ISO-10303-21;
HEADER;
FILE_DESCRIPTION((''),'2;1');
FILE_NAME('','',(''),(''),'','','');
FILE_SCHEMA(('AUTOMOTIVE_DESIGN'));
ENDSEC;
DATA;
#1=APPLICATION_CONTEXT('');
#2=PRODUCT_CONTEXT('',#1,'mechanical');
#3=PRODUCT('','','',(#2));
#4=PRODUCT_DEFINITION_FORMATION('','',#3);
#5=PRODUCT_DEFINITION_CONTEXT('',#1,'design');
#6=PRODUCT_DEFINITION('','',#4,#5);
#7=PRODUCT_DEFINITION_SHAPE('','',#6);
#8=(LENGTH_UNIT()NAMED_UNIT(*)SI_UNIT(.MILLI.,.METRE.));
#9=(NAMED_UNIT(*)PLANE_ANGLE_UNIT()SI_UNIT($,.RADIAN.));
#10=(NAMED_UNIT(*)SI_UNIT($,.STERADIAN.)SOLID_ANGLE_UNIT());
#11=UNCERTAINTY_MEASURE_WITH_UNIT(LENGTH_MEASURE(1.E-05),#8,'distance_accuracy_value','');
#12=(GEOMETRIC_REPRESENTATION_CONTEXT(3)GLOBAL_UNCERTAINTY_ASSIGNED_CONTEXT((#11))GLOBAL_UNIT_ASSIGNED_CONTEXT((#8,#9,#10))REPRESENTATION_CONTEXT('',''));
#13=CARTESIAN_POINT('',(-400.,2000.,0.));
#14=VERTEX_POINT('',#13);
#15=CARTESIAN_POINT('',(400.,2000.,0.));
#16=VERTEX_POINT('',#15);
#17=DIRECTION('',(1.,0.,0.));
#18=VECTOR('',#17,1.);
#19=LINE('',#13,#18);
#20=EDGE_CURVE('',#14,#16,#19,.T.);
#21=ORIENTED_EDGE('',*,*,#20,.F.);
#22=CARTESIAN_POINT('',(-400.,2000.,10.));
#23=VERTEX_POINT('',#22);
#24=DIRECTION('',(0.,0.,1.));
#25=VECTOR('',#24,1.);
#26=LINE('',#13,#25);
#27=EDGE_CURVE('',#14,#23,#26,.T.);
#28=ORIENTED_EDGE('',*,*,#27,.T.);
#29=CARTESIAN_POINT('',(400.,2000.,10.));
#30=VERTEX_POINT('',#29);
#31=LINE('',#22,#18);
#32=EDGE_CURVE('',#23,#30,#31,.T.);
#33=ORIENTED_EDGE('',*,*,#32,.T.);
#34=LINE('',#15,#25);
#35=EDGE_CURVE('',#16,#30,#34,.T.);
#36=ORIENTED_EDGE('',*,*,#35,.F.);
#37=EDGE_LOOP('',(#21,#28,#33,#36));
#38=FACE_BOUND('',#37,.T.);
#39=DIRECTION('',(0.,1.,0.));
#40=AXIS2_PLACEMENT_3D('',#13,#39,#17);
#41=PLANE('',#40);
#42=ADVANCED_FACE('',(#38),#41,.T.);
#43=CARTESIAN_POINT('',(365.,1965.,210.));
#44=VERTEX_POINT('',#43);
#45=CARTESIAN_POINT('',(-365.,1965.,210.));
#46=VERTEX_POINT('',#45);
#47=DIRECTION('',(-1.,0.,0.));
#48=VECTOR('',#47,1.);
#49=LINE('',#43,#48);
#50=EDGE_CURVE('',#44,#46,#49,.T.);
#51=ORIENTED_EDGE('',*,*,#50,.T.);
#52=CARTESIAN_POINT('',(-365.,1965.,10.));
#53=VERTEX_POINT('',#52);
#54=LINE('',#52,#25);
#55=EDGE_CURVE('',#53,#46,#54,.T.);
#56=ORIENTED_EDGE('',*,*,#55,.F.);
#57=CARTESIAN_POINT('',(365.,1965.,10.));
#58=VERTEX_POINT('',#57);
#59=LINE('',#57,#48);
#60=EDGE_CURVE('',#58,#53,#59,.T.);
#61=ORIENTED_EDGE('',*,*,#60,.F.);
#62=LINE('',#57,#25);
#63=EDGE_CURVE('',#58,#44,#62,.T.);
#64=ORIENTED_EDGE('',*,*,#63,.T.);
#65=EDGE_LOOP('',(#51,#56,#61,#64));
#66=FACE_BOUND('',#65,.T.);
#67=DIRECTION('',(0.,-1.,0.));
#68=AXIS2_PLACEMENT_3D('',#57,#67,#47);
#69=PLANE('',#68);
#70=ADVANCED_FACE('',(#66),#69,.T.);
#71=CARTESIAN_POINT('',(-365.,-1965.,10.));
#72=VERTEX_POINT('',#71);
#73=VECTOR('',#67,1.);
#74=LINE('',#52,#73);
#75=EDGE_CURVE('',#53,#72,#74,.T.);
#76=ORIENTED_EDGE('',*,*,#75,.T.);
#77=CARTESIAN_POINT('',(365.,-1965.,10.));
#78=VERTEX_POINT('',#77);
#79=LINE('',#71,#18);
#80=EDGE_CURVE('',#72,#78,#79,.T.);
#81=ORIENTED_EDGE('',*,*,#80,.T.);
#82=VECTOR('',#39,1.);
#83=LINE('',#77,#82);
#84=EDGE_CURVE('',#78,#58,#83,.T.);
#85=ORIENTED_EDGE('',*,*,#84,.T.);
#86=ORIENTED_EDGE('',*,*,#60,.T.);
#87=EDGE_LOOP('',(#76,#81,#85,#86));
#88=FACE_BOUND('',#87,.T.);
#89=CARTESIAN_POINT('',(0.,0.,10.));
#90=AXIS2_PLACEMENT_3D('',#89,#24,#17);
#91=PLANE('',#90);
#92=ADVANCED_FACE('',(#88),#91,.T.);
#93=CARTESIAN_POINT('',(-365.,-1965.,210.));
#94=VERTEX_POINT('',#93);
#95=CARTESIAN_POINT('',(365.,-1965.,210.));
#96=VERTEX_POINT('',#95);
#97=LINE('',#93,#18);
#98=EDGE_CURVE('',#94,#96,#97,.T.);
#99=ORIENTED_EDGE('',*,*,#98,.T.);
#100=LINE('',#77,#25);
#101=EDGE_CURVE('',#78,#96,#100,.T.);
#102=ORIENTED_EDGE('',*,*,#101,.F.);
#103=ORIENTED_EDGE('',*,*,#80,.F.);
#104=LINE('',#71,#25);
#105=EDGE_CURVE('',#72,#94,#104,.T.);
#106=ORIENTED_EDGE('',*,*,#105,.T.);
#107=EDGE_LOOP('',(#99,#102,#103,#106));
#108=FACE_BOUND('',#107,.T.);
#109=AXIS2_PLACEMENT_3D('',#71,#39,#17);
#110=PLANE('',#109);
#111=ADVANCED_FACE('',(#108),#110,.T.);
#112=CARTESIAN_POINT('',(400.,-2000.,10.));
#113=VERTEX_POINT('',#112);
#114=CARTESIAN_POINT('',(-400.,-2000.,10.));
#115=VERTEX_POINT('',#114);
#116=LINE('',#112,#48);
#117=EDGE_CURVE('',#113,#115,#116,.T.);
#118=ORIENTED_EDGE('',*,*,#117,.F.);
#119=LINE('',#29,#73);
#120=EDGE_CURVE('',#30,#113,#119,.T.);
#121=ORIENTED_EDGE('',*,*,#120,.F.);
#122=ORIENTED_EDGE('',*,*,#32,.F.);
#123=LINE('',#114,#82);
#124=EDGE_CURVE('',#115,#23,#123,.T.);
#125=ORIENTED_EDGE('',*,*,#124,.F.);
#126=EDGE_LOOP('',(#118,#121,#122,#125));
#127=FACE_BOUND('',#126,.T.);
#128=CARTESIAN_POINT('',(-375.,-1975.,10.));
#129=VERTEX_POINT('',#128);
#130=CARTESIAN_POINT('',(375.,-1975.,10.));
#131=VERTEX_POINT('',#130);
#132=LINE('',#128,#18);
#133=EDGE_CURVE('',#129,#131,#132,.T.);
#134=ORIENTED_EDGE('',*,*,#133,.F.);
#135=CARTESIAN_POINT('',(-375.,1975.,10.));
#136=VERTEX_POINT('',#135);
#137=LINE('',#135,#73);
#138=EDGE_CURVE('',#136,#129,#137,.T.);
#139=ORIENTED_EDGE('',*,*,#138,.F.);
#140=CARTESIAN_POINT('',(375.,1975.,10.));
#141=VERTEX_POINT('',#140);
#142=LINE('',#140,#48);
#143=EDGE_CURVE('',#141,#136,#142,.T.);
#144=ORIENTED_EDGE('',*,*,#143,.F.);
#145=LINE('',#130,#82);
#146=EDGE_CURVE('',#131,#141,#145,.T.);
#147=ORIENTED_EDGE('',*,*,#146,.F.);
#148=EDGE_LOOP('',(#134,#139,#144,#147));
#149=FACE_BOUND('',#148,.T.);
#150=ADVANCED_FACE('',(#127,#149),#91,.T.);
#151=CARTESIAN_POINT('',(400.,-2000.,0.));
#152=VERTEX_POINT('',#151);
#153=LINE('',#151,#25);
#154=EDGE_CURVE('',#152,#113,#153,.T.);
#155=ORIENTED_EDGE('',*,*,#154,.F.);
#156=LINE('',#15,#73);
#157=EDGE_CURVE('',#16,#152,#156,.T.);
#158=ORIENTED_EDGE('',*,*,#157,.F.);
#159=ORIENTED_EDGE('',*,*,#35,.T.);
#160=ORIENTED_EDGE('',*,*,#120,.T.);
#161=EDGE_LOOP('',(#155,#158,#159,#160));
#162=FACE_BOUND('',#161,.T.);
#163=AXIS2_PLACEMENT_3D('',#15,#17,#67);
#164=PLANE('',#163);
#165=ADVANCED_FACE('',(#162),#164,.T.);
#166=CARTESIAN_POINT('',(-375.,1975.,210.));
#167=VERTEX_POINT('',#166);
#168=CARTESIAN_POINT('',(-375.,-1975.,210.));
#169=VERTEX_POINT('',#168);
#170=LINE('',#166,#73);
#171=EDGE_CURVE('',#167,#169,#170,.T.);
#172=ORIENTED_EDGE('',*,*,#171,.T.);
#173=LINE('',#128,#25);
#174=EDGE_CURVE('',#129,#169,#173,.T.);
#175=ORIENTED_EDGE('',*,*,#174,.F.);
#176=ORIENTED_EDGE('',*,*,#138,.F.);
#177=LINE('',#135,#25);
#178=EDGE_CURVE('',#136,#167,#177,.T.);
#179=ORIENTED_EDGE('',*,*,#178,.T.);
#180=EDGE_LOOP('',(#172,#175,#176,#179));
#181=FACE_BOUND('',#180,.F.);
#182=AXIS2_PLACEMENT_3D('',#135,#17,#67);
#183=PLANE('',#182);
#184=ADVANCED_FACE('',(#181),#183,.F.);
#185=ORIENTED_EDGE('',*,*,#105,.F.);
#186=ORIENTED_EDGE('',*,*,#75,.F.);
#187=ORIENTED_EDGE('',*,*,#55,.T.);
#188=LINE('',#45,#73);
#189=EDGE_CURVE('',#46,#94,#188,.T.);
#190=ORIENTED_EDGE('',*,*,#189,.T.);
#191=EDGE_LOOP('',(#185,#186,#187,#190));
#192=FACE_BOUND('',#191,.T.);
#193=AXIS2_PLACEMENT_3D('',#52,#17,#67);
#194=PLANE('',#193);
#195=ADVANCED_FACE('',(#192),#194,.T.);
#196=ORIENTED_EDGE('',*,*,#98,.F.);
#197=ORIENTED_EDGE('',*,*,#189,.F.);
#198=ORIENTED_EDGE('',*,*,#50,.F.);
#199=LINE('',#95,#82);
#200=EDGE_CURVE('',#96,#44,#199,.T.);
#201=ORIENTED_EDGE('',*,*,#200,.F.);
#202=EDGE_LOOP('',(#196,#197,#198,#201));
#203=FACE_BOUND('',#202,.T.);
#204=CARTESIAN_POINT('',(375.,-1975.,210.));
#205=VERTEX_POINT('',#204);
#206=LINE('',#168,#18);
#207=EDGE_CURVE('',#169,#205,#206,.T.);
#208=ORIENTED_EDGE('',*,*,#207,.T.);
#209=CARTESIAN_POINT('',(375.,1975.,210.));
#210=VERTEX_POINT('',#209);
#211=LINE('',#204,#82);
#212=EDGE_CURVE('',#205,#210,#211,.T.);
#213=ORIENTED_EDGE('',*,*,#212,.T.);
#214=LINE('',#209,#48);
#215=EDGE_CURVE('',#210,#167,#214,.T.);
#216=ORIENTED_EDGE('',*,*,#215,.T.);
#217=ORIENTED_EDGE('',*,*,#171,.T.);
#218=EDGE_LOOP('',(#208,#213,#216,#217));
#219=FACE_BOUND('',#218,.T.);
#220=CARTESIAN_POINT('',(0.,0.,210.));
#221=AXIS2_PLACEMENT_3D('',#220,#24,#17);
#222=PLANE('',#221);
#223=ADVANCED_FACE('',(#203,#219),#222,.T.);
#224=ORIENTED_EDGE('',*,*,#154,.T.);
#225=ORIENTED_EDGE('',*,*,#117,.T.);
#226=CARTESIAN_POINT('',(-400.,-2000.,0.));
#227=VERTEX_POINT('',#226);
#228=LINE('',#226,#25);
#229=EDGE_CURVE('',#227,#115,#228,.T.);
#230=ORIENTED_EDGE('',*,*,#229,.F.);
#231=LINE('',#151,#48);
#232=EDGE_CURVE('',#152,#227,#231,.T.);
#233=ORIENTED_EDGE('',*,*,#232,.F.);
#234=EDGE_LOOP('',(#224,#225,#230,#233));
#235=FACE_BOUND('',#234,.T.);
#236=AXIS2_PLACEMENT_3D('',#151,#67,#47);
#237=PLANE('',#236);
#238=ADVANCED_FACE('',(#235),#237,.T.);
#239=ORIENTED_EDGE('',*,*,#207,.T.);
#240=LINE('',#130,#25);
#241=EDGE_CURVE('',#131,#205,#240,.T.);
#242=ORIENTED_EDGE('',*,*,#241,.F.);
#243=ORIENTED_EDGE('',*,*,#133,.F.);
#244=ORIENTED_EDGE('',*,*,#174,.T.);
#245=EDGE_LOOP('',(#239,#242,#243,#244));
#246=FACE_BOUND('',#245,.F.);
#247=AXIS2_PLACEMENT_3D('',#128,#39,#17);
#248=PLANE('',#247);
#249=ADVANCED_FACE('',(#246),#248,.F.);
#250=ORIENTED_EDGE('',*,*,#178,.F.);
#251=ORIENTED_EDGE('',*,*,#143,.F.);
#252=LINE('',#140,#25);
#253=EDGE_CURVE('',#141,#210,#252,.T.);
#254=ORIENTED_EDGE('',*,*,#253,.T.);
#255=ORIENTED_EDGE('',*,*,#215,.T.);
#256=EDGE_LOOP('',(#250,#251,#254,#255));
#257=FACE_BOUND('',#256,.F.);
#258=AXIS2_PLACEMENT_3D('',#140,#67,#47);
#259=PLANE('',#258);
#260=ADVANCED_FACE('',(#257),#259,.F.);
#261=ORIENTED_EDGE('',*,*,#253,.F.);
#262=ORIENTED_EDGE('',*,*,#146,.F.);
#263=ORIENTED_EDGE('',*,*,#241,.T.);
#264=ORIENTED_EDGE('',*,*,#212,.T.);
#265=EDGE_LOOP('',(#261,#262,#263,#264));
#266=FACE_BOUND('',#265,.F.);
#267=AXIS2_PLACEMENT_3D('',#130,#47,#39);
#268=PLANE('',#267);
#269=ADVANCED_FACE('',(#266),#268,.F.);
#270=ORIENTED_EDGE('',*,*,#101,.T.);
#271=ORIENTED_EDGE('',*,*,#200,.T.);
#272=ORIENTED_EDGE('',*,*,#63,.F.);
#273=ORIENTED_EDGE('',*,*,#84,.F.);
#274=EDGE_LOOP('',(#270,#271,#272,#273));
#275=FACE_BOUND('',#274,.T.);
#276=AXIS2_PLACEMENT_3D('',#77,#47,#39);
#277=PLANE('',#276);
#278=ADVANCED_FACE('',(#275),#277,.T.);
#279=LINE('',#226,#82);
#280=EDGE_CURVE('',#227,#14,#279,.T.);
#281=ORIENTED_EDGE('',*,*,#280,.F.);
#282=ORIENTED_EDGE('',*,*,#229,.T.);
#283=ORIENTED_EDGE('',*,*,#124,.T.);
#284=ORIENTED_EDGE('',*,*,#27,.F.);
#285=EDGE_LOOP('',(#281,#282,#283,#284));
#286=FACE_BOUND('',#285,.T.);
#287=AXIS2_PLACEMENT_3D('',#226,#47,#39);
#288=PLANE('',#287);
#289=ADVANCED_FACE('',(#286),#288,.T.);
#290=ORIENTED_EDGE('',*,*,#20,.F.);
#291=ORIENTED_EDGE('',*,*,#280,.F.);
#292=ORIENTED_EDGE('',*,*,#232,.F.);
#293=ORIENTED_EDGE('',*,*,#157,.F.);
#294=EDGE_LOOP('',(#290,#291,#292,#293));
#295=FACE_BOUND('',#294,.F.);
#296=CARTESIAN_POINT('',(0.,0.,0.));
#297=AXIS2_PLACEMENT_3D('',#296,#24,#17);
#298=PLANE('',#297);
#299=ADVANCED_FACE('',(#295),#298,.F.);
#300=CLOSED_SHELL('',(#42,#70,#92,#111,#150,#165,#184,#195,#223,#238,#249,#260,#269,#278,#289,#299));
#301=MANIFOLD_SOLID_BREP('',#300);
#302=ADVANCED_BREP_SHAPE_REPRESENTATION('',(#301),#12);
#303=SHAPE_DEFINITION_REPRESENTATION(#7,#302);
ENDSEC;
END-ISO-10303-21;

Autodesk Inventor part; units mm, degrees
ref_plane "YZ Plane" through (0, 0, 0) normal (1, 0, 0) x (0, 1, 0)
ref_plane "XZ Plane" through (0, 0, 0) normal (0, 1, 0) x (-1, 0, 0)
ref_plane "XY Plane" through (0, 0, 0) normal (0, 0, 1) x (1, 0, 0)
sketch "Sketch1" plane through (0, 0, 0) normal (0, 0, 1) x (1, 0, 0)
  line L0 (-400, 2000) -> (400, 2000)
  line L1 (400, 2000) -> (400, -2000)
  line L2 (400, -2000) -> (-400, -2000)
  line L3 (-400, -2000) -> (-400, 2000)
  line L4 (-400, 2000) -> (400, -2000) construction
  line L5 (400, 2000) -> (-400, -2000) construction
  point P0 (0, 0)
  dimension "d0" = 800
  dimension "d1" = 4000
extrude "Extrusion1" add sketch "Sketch1" along normal blind 10
sketch "Sketch2" plane through (0, 0, 10) normal (0, 0, 1) x (1, 0, 0)
  line L0 (-400, -2000) -> (400, -2000) projected
  line L1 (400, -2000) -> (400, 2000) projected
  line L2 (400, 2000) -> (-400, 2000) projected
  line L3 (-400, 2000) -> (-400, -2000) projected
  line L4 (-375, -1975) -> (375, -1975)
  line L5 (375, -1975) -> (375, 1975)
  line L6 (375, 1975) -> (-375, 1975)
  line L7 (-375, 1975) -> (-375, -1975)
  line L8 (-365, -1965) -> (365, -1965)
  line L9 (365, -1965) -> (365, 1965)
  line L10 (365, 1965) -> (-365, 1965)
  line L11 (-365, 1965) -> (-365, -1965)
  point P0 (0, 0)
  dimension "d4" = 25
  dimension "d5" = 10
extrude "Extrusion2" add sketch "Sketch2" along normal blind 200 contours L7 L6 L5 L4
properties part number "GNG НаOCl pan"
